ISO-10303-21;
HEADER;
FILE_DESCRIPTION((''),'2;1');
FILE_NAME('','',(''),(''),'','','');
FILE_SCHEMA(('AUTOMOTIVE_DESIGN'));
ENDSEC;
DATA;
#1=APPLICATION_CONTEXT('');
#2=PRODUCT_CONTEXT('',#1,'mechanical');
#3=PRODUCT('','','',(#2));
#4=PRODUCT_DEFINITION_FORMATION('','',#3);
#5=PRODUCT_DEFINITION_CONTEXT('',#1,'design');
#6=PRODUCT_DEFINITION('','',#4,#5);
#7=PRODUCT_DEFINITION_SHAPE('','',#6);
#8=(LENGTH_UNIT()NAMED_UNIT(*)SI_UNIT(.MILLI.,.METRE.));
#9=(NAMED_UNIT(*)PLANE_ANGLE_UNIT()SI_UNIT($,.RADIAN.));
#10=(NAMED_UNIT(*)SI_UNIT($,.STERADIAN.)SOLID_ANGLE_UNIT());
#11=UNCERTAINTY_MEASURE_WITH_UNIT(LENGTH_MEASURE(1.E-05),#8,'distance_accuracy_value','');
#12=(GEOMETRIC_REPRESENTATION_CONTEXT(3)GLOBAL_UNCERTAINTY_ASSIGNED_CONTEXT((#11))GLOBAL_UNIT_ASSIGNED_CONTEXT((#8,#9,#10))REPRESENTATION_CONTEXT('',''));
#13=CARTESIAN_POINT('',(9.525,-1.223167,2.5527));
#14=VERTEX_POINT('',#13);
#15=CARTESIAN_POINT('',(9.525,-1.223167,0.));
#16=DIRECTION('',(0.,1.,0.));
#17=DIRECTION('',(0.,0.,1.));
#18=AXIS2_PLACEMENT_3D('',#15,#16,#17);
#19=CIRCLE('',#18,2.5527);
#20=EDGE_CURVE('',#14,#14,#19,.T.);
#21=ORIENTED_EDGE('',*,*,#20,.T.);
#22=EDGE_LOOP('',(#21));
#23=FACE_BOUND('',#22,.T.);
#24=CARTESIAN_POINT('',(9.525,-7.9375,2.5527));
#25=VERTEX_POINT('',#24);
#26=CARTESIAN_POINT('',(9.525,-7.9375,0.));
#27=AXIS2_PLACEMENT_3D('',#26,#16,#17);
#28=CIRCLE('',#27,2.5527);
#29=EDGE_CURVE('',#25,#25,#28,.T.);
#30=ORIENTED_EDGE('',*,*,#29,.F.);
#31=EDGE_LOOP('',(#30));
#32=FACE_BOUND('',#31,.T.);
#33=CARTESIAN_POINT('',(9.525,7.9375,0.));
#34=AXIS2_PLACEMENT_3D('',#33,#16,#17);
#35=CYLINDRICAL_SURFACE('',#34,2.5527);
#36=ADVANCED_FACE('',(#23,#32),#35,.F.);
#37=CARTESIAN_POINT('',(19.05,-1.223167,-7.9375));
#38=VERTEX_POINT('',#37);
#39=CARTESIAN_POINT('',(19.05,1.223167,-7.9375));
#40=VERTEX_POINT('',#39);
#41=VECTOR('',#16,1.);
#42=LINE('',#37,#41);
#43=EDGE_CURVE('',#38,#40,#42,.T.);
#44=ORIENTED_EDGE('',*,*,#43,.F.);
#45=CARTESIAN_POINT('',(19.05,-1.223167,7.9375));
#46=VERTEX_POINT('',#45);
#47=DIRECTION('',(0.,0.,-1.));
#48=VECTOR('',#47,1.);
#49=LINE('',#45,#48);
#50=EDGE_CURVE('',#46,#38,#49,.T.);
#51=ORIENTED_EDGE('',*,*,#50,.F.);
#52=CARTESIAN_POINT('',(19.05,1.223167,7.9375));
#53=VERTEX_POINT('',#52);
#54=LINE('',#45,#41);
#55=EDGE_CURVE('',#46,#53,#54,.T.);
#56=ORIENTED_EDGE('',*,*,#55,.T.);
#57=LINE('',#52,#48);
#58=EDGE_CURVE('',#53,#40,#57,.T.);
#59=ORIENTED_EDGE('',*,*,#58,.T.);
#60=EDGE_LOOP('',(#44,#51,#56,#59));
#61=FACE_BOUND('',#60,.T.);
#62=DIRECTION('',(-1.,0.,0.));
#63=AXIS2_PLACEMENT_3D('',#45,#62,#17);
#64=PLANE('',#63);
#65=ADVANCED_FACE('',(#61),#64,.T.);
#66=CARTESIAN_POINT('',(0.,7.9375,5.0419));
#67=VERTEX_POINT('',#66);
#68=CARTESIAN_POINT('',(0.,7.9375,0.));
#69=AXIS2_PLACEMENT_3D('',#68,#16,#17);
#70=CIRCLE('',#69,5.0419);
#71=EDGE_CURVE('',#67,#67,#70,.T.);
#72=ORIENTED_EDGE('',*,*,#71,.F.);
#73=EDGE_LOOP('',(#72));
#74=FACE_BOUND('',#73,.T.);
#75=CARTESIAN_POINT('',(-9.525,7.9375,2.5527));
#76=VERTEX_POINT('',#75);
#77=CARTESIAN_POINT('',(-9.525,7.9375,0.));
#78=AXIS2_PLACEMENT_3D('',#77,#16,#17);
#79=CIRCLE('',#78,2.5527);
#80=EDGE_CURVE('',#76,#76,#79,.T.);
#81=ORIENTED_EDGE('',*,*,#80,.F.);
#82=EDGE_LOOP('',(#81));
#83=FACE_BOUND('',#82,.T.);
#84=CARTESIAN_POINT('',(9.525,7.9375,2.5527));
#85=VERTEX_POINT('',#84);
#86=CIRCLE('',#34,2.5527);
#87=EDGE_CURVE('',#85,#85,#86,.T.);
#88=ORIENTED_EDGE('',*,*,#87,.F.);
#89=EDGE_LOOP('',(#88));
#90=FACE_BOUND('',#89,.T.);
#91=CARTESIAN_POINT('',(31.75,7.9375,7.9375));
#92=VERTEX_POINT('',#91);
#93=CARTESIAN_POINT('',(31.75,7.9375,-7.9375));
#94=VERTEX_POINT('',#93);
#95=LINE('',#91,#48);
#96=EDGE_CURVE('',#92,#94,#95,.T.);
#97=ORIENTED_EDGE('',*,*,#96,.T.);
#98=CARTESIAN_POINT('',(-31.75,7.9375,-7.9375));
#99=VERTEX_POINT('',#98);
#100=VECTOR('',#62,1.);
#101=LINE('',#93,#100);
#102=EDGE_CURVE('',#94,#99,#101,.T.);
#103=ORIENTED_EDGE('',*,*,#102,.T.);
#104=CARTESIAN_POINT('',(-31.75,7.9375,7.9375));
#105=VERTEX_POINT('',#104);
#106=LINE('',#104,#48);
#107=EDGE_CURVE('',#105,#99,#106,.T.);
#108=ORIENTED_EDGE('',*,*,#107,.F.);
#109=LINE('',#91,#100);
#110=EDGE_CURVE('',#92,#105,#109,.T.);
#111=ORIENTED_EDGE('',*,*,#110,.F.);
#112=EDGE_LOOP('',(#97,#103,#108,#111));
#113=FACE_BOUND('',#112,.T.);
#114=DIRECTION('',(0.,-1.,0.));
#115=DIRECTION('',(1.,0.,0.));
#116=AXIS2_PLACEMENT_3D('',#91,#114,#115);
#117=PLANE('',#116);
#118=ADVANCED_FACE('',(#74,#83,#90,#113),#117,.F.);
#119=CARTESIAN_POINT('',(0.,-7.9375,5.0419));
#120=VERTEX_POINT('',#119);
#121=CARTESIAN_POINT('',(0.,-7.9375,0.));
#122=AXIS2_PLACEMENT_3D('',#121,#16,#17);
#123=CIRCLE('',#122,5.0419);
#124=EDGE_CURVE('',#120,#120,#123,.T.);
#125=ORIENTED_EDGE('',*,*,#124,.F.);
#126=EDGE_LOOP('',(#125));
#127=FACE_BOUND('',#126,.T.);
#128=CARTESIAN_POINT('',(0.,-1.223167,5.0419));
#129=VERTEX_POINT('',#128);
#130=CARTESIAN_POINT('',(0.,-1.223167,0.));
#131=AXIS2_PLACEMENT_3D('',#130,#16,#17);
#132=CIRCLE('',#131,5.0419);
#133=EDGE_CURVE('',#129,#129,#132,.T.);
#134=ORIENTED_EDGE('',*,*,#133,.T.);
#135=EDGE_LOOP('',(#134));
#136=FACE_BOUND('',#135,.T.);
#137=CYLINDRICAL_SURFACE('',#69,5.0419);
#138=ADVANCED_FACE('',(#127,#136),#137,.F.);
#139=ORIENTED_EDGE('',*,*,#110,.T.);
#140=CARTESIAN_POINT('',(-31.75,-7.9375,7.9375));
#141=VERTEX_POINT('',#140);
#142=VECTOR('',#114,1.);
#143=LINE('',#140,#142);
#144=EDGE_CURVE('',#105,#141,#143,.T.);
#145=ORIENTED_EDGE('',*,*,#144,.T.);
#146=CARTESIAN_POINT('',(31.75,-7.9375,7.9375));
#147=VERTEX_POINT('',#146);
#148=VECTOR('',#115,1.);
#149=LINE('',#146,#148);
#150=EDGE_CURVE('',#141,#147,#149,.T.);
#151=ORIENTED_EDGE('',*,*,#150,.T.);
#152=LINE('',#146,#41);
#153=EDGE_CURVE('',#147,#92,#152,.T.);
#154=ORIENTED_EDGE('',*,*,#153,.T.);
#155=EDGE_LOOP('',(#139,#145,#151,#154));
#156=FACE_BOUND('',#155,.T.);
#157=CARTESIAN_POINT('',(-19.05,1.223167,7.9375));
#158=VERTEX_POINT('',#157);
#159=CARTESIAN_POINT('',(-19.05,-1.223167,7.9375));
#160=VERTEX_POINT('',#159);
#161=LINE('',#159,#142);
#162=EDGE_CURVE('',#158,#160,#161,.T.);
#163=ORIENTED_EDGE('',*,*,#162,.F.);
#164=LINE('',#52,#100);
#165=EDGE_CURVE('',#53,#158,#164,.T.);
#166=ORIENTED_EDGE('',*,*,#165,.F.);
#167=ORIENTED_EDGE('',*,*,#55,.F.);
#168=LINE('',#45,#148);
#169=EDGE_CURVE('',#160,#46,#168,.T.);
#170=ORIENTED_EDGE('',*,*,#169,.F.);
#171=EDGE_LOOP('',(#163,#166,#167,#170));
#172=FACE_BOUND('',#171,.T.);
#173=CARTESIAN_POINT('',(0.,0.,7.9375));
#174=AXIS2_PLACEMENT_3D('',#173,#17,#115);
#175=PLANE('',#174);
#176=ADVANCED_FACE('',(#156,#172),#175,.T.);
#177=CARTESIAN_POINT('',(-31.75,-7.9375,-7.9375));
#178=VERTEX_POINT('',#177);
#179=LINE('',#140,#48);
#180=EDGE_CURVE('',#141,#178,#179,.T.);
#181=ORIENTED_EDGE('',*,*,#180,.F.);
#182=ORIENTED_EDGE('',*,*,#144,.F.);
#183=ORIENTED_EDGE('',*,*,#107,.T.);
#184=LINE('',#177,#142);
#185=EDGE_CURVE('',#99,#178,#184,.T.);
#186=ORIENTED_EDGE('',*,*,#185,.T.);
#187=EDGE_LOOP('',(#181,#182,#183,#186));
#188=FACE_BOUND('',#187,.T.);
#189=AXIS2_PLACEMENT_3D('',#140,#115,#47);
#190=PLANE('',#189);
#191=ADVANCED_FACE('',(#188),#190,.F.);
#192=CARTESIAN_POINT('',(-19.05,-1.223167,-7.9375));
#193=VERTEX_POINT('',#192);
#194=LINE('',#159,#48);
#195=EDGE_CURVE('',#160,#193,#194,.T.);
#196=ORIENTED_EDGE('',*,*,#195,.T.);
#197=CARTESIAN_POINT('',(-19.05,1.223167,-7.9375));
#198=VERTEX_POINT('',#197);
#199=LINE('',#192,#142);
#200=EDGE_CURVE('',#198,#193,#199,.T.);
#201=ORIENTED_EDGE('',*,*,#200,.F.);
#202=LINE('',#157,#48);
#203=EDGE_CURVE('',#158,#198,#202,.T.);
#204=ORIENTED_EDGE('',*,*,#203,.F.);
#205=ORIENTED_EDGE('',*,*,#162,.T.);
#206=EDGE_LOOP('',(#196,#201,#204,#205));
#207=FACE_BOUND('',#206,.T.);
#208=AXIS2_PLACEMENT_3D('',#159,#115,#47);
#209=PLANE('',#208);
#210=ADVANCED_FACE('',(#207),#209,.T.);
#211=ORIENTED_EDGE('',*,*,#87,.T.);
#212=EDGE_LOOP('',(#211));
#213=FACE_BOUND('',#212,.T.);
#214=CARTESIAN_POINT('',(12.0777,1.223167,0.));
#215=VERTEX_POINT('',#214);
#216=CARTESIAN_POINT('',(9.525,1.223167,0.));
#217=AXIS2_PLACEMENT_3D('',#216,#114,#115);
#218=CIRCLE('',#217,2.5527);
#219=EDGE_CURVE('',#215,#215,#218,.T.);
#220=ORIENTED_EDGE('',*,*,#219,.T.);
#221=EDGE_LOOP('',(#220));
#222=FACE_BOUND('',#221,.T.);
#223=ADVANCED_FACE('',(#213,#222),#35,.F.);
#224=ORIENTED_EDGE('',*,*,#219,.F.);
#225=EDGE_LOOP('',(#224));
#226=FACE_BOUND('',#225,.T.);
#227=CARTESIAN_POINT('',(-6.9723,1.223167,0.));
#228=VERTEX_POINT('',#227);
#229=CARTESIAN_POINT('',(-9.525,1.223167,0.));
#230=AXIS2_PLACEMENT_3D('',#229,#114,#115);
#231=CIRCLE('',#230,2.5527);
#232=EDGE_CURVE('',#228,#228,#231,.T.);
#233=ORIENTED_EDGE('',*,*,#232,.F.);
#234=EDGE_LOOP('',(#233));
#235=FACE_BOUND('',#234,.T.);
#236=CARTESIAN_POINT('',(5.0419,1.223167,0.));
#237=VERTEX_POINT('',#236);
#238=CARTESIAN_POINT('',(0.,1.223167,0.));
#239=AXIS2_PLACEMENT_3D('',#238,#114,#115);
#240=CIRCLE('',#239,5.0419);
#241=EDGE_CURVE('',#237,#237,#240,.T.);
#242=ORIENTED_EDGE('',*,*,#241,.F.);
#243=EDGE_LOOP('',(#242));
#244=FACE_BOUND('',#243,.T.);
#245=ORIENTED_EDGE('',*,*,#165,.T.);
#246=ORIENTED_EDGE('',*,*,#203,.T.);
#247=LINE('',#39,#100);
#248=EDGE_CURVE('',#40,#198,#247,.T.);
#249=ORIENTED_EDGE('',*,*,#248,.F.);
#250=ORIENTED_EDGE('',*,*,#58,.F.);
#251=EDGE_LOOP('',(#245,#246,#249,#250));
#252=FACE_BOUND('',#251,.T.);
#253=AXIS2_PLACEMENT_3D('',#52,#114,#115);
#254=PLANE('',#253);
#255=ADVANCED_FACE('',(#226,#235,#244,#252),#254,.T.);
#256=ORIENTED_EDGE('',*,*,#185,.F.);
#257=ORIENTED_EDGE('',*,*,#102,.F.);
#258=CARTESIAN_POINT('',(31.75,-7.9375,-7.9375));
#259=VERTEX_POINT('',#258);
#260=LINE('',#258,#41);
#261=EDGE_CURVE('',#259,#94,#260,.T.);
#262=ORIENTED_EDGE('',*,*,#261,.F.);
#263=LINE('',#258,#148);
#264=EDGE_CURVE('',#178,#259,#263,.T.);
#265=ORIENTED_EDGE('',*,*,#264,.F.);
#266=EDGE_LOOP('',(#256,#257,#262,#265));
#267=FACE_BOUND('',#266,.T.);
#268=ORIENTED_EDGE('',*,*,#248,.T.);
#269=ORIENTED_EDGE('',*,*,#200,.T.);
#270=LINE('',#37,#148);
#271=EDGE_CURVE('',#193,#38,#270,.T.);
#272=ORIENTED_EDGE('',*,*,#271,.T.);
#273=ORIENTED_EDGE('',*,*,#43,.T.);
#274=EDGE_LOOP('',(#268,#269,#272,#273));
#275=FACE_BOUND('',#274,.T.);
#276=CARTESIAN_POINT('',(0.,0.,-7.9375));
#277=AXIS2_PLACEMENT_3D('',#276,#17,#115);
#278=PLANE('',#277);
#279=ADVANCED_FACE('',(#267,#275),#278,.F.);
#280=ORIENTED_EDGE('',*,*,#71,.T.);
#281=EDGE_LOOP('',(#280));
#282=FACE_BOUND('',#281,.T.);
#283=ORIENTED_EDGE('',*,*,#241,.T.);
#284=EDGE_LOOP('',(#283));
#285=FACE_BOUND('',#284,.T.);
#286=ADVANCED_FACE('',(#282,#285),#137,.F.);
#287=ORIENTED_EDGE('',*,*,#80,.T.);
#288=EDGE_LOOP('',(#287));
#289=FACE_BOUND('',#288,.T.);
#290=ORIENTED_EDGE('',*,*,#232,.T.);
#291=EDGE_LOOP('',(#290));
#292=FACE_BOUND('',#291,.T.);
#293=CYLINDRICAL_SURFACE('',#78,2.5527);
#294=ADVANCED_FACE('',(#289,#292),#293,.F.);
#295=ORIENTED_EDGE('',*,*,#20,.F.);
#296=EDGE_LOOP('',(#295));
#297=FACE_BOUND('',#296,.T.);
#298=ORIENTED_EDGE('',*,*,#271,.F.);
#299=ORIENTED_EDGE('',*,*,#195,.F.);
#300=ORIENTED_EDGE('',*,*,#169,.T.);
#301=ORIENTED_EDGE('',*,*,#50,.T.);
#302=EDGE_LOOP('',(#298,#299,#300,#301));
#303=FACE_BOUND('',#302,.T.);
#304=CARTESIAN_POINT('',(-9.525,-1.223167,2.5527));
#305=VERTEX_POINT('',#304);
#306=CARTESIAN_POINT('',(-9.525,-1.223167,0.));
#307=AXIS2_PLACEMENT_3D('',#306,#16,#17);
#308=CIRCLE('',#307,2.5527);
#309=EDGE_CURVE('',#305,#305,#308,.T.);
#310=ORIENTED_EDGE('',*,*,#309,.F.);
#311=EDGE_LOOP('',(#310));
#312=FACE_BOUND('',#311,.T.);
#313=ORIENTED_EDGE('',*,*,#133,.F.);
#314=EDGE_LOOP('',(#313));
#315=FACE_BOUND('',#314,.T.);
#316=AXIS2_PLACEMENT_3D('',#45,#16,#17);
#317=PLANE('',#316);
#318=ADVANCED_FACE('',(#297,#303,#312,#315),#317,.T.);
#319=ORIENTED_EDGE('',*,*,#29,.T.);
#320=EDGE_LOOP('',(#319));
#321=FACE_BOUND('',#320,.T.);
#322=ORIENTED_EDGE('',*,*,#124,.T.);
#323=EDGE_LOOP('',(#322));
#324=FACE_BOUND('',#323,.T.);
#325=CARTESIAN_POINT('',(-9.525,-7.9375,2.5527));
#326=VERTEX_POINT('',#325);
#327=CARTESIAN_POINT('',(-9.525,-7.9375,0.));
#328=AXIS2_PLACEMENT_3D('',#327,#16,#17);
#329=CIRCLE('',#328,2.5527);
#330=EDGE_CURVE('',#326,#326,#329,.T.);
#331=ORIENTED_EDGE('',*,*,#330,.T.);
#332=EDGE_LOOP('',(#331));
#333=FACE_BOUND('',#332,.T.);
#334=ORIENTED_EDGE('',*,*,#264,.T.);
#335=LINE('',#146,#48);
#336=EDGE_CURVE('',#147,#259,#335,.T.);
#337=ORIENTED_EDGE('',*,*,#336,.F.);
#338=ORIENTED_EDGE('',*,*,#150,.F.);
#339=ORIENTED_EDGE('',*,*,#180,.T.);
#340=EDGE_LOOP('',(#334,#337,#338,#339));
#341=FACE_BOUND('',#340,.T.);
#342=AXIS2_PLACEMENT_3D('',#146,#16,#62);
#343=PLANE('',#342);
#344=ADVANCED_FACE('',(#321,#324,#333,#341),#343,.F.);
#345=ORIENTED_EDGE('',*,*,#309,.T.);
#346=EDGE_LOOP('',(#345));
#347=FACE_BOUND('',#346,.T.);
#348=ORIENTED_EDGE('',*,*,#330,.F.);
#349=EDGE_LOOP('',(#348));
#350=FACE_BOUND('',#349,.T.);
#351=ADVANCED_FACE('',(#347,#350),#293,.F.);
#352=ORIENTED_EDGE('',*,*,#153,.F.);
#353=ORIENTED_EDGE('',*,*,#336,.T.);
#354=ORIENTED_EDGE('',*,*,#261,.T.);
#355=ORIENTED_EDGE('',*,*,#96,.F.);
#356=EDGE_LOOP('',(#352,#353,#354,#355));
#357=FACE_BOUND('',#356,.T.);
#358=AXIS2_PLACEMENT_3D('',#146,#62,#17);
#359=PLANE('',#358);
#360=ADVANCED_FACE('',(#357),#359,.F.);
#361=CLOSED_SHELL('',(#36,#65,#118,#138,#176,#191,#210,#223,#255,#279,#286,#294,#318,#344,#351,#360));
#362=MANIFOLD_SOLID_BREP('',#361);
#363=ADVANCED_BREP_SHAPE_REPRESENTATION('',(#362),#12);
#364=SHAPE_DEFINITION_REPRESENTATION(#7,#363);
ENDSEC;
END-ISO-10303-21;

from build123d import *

# Parameters (mm, degrees)
SKETCH1_W               = 63.5
SKETCH1_H               = 15.875
SKETCH1_W_2             = 38.1
SKETCH1_H_2             = 2.446333072
BOSS_EXTRUDE1_DEPTH     = 7.9375
F_1_4_20_TAPPED_HOLE1_D = 5.1054
F_3_8_CLEARANCE_HOLE1_D = 10.0838


with BuildPart() as part:
    # Sketch1 → Boss-Extrude1 (new, symmetric)
    with BuildSketch(Plane.XY):
        Rectangle(SKETCH1_W, SKETCH1_H)
        Rectangle(SKETCH1_W_2, SKETCH1_H_2, mode=Mode.SUBTRACT)
    extrude(amount=BOSS_EXTRUDE1_DEPTH, both=True)

    # 1/4-20 Tapped Hole1 (through all)
    with Locations(Plane(origin=(0, 7.9375, 0), x_dir=(1, 0, 0), z_dir=(0, 1, 0))):
        with Locations((9.525, 0), (-9.525, 0)):
            Hole(F_1_4_20_TAPPED_HOLE1_D / 2)

    # 3/8 Clearance Hole1 (through all)
    with Locations(Plane(origin=(0, 7.9375, 0), x_dir=(1, 0, 0), z_dir=(0, 1, 0))):
        with Locations((0, 0)):
            Hole(F_3_8_CLEARANCE_HOLE1_D / 2)


solid = part.part
